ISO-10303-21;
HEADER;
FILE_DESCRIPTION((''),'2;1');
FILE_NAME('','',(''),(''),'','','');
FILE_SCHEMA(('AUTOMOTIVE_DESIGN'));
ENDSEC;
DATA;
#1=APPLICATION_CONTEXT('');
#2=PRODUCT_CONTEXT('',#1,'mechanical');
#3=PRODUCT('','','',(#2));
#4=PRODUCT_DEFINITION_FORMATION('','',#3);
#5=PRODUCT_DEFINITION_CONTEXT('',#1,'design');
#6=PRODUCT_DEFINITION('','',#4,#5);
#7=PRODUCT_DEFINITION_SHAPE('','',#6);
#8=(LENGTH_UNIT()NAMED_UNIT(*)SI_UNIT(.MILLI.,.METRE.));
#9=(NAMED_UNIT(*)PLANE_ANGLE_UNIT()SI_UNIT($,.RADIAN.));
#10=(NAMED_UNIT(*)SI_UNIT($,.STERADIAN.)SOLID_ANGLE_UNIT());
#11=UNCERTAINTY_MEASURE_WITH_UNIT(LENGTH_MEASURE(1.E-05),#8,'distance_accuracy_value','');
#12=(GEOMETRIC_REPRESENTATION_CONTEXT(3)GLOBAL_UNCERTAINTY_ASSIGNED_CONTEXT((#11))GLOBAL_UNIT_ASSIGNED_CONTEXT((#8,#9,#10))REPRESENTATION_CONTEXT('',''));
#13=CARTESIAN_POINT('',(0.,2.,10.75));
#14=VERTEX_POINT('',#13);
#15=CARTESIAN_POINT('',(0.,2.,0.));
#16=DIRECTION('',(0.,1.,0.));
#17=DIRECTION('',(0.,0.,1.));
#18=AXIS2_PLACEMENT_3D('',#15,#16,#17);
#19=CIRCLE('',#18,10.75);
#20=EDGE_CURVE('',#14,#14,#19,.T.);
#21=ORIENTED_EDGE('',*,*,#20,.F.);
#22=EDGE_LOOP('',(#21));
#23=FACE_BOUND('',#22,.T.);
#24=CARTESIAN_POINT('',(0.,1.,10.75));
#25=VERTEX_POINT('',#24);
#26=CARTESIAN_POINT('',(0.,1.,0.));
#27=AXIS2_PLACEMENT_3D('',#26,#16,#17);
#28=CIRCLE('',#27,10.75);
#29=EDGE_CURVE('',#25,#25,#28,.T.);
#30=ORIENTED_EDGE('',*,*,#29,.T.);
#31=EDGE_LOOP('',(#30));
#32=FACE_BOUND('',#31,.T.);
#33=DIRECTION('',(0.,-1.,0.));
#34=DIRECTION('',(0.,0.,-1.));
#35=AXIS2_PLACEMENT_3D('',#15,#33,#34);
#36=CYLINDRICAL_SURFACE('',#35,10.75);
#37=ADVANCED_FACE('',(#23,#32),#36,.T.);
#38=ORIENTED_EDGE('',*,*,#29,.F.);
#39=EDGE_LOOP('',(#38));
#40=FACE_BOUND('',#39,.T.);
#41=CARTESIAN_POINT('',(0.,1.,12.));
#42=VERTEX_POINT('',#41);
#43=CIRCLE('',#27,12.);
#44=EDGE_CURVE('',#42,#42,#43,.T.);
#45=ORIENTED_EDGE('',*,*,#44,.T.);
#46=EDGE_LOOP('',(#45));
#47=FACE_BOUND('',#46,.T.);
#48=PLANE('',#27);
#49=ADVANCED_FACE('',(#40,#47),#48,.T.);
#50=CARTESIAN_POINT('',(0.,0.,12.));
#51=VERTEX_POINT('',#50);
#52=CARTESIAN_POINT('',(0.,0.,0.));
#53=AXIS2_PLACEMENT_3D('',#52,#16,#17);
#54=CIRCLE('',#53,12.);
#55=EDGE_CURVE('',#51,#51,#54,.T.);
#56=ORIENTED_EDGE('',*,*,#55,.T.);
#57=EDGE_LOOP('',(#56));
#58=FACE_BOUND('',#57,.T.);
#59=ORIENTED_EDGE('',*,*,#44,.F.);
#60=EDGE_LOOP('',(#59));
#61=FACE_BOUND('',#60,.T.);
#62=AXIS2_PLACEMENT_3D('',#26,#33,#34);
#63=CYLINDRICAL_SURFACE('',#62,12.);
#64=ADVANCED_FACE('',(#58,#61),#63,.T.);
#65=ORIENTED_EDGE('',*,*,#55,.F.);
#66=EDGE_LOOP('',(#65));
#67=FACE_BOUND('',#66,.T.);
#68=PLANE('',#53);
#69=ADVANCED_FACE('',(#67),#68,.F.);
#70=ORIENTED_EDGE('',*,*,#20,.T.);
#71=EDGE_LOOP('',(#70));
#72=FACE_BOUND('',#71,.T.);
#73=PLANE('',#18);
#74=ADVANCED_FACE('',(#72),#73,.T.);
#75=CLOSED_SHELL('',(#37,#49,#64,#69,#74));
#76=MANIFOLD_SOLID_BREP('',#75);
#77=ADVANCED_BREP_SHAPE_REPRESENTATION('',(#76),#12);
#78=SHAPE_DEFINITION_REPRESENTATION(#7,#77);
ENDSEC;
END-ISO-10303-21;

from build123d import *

# Parameters (mm, degrees)
CROQUIS1_R              = 12
CROQUIS1_R_2            = 10.75
SALIENTE_EXTRUIR1_DEPTH = 1
CROQUIS1_2_R            = 10.75
SALIENTE_EXTRUIR2_DEPTH = 2


with BuildPart() as part:
    # Croquis1 → Saliente-Extruir1 (new body)
    with BuildSketch(Plane(origin=(0, 0, 0), x_dir=(1, 0, 0), z_dir=(0, 1, 0))):
        Circle(CROQUIS1_R)
        Circle(CROQUIS1_R_2, mode=Mode.SUBTRACT)
    extrude(amount=SALIENTE_EXTRUIR1_DEPTH)

    # Croquis1<2> → Saliente-Extruir2 (add)
    with BuildSketch(Plane(origin=(0, 0, 0), x_dir=(1, 0, 0), z_dir=(0, 1, 0))):
        Circle(CROQUIS1_2_R)
    extrude(amount=SALIENTE_EXTRUIR2_DEPTH)


solid = part.part
